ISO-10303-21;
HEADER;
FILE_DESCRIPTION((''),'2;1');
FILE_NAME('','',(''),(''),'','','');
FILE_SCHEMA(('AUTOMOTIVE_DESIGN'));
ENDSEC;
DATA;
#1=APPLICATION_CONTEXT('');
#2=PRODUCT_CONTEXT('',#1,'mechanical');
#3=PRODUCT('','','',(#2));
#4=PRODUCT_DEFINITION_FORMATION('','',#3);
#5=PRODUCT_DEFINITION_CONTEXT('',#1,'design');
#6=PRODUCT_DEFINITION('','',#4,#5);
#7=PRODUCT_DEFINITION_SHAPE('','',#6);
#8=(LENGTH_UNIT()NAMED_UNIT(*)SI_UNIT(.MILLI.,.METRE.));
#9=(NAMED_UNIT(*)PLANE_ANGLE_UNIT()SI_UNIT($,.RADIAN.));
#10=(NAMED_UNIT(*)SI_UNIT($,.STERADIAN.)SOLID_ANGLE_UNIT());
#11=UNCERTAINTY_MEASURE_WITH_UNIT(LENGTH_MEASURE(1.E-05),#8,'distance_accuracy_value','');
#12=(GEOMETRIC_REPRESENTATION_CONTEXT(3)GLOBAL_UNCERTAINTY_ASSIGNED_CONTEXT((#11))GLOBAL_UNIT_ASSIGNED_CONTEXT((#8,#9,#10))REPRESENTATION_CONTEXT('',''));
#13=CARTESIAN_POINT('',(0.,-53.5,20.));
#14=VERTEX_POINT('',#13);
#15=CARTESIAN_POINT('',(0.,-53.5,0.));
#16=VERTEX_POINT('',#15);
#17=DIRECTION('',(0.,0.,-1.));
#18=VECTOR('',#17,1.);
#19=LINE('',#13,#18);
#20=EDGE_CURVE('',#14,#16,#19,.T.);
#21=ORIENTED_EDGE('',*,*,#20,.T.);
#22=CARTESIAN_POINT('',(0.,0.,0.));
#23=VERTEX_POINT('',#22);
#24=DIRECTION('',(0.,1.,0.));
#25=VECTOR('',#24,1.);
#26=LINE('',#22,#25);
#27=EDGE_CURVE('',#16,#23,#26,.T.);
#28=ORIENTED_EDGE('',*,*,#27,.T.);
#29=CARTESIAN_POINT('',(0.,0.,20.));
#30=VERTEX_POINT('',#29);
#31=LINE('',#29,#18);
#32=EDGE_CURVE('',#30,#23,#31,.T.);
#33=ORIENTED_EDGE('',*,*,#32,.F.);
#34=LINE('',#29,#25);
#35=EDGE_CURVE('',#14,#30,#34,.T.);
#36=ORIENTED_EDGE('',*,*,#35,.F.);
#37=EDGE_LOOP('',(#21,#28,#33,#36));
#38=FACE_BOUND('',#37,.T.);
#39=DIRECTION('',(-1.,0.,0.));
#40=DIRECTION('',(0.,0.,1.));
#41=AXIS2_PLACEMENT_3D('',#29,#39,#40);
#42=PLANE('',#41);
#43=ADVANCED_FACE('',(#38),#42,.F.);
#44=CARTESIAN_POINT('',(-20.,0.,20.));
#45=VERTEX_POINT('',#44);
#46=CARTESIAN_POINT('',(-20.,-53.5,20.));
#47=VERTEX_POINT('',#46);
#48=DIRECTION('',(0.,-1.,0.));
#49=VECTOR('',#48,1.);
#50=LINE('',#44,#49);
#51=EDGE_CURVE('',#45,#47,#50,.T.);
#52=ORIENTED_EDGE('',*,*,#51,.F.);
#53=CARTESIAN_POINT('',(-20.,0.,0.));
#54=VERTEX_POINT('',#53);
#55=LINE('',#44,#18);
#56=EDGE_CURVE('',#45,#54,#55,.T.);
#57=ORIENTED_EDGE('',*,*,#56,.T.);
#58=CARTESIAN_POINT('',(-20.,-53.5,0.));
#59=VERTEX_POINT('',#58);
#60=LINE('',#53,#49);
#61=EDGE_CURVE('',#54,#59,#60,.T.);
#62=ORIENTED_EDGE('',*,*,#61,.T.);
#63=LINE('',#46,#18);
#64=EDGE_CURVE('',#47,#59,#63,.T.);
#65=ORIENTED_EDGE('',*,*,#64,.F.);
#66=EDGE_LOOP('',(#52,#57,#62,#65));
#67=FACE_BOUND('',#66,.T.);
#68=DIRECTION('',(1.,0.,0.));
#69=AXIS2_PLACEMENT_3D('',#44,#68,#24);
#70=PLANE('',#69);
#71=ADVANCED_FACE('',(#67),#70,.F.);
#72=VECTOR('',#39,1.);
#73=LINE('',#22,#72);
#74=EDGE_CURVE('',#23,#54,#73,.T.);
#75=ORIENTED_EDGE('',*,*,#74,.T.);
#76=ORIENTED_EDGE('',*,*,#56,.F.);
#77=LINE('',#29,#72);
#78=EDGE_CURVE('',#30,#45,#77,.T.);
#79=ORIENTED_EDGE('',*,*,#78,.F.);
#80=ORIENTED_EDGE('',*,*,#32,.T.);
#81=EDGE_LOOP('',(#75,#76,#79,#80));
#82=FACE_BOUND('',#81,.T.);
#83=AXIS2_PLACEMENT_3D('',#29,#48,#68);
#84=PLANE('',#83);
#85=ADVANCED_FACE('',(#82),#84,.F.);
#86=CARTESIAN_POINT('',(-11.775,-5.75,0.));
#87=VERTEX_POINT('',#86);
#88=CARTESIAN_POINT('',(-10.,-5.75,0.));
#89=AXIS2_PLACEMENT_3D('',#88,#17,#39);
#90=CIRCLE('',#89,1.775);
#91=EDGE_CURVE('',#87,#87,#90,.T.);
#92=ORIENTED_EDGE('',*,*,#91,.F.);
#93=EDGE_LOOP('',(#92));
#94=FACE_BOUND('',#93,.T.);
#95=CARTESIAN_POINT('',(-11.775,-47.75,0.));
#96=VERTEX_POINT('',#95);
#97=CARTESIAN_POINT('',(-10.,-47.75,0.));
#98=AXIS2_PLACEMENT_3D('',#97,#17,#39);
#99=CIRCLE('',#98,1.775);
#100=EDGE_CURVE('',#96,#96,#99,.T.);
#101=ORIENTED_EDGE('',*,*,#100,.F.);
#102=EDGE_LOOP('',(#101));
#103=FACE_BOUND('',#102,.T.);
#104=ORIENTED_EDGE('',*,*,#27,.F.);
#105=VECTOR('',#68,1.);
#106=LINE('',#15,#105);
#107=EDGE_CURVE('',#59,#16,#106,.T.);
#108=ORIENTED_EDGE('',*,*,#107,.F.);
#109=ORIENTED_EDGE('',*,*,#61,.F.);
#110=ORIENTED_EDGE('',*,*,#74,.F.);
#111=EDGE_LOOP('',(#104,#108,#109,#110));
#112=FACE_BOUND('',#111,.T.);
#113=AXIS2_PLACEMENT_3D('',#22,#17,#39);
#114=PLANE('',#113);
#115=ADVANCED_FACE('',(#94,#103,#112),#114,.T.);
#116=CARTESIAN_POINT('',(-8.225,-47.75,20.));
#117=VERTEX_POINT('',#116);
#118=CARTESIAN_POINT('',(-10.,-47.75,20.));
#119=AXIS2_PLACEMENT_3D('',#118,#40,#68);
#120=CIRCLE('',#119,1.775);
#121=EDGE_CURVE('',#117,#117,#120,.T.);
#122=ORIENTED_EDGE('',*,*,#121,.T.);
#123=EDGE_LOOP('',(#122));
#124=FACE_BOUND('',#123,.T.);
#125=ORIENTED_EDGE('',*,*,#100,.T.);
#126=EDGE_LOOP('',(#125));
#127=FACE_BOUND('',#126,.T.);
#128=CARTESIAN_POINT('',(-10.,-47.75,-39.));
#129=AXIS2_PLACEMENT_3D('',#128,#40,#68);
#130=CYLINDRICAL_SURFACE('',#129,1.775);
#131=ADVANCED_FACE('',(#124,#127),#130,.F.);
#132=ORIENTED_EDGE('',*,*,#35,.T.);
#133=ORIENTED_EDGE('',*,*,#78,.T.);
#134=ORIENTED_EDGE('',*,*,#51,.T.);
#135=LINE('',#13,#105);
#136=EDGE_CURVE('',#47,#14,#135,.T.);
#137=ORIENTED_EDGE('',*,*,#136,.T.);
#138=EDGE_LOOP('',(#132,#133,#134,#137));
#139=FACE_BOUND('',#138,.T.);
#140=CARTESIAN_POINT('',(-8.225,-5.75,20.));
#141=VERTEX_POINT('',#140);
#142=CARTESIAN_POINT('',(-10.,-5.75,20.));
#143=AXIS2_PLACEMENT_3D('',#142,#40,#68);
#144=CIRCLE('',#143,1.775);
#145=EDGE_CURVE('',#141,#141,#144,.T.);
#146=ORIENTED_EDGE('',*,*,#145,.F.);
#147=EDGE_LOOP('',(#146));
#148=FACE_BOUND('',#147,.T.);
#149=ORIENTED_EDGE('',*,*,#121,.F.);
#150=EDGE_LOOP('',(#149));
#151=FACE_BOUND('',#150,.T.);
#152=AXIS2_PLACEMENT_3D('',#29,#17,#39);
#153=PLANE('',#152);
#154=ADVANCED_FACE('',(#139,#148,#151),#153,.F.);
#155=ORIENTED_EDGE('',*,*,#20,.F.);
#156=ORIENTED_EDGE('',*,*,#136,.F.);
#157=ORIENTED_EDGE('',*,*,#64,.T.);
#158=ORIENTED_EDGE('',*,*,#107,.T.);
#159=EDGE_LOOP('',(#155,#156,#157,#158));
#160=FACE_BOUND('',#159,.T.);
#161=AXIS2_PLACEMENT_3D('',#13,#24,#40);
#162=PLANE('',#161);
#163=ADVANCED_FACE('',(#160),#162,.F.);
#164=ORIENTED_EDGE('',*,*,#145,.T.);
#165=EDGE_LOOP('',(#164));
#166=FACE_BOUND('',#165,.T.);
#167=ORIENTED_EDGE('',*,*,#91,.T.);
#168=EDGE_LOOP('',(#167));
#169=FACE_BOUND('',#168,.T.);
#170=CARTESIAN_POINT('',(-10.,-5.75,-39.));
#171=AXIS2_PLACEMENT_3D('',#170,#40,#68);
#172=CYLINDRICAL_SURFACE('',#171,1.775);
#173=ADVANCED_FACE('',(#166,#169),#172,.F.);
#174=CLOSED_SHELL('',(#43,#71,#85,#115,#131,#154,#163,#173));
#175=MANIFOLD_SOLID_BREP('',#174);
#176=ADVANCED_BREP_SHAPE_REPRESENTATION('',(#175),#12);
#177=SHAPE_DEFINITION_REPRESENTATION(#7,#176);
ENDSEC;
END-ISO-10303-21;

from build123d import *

# Parameters (mm, degrees)
IZIM1_W                     = 20
IZIM1_H                     = 53.5
Y_KSEKLIK_EKSTR_ZYON1_DEPTH = 20
IZIM2_R                     = 1.775
KES_EKSTR_ZYON1_DEPTH       = 59


with BuildPart() as part:
    # Çizim1 → Yükseklik-Ekstrüzyon1 (new body)
    with BuildSketch(Plane.XY):
        with Locations((-10, -26.75)):
            Rectangle(IZIM1_W, IZIM1_H)
    extrude(amount=Y_KSEKLIK_EKSTR_ZYON1_DEPTH)

    # Çizim2 → Kes-Ekstrüzyon1 (cut)
    with BuildSketch(Plane.XY.offset(20)):
        with Locations((-10, -5.75)):
            Circle(IZIM2_R)
        with Locations((-10, -47.75)):
            Circle(IZIM2_R)
    extrude(amount=-KES_EKSTR_ZYON1_DEPTH, mode=Mode.SUBTRACT)


solid = part.part
